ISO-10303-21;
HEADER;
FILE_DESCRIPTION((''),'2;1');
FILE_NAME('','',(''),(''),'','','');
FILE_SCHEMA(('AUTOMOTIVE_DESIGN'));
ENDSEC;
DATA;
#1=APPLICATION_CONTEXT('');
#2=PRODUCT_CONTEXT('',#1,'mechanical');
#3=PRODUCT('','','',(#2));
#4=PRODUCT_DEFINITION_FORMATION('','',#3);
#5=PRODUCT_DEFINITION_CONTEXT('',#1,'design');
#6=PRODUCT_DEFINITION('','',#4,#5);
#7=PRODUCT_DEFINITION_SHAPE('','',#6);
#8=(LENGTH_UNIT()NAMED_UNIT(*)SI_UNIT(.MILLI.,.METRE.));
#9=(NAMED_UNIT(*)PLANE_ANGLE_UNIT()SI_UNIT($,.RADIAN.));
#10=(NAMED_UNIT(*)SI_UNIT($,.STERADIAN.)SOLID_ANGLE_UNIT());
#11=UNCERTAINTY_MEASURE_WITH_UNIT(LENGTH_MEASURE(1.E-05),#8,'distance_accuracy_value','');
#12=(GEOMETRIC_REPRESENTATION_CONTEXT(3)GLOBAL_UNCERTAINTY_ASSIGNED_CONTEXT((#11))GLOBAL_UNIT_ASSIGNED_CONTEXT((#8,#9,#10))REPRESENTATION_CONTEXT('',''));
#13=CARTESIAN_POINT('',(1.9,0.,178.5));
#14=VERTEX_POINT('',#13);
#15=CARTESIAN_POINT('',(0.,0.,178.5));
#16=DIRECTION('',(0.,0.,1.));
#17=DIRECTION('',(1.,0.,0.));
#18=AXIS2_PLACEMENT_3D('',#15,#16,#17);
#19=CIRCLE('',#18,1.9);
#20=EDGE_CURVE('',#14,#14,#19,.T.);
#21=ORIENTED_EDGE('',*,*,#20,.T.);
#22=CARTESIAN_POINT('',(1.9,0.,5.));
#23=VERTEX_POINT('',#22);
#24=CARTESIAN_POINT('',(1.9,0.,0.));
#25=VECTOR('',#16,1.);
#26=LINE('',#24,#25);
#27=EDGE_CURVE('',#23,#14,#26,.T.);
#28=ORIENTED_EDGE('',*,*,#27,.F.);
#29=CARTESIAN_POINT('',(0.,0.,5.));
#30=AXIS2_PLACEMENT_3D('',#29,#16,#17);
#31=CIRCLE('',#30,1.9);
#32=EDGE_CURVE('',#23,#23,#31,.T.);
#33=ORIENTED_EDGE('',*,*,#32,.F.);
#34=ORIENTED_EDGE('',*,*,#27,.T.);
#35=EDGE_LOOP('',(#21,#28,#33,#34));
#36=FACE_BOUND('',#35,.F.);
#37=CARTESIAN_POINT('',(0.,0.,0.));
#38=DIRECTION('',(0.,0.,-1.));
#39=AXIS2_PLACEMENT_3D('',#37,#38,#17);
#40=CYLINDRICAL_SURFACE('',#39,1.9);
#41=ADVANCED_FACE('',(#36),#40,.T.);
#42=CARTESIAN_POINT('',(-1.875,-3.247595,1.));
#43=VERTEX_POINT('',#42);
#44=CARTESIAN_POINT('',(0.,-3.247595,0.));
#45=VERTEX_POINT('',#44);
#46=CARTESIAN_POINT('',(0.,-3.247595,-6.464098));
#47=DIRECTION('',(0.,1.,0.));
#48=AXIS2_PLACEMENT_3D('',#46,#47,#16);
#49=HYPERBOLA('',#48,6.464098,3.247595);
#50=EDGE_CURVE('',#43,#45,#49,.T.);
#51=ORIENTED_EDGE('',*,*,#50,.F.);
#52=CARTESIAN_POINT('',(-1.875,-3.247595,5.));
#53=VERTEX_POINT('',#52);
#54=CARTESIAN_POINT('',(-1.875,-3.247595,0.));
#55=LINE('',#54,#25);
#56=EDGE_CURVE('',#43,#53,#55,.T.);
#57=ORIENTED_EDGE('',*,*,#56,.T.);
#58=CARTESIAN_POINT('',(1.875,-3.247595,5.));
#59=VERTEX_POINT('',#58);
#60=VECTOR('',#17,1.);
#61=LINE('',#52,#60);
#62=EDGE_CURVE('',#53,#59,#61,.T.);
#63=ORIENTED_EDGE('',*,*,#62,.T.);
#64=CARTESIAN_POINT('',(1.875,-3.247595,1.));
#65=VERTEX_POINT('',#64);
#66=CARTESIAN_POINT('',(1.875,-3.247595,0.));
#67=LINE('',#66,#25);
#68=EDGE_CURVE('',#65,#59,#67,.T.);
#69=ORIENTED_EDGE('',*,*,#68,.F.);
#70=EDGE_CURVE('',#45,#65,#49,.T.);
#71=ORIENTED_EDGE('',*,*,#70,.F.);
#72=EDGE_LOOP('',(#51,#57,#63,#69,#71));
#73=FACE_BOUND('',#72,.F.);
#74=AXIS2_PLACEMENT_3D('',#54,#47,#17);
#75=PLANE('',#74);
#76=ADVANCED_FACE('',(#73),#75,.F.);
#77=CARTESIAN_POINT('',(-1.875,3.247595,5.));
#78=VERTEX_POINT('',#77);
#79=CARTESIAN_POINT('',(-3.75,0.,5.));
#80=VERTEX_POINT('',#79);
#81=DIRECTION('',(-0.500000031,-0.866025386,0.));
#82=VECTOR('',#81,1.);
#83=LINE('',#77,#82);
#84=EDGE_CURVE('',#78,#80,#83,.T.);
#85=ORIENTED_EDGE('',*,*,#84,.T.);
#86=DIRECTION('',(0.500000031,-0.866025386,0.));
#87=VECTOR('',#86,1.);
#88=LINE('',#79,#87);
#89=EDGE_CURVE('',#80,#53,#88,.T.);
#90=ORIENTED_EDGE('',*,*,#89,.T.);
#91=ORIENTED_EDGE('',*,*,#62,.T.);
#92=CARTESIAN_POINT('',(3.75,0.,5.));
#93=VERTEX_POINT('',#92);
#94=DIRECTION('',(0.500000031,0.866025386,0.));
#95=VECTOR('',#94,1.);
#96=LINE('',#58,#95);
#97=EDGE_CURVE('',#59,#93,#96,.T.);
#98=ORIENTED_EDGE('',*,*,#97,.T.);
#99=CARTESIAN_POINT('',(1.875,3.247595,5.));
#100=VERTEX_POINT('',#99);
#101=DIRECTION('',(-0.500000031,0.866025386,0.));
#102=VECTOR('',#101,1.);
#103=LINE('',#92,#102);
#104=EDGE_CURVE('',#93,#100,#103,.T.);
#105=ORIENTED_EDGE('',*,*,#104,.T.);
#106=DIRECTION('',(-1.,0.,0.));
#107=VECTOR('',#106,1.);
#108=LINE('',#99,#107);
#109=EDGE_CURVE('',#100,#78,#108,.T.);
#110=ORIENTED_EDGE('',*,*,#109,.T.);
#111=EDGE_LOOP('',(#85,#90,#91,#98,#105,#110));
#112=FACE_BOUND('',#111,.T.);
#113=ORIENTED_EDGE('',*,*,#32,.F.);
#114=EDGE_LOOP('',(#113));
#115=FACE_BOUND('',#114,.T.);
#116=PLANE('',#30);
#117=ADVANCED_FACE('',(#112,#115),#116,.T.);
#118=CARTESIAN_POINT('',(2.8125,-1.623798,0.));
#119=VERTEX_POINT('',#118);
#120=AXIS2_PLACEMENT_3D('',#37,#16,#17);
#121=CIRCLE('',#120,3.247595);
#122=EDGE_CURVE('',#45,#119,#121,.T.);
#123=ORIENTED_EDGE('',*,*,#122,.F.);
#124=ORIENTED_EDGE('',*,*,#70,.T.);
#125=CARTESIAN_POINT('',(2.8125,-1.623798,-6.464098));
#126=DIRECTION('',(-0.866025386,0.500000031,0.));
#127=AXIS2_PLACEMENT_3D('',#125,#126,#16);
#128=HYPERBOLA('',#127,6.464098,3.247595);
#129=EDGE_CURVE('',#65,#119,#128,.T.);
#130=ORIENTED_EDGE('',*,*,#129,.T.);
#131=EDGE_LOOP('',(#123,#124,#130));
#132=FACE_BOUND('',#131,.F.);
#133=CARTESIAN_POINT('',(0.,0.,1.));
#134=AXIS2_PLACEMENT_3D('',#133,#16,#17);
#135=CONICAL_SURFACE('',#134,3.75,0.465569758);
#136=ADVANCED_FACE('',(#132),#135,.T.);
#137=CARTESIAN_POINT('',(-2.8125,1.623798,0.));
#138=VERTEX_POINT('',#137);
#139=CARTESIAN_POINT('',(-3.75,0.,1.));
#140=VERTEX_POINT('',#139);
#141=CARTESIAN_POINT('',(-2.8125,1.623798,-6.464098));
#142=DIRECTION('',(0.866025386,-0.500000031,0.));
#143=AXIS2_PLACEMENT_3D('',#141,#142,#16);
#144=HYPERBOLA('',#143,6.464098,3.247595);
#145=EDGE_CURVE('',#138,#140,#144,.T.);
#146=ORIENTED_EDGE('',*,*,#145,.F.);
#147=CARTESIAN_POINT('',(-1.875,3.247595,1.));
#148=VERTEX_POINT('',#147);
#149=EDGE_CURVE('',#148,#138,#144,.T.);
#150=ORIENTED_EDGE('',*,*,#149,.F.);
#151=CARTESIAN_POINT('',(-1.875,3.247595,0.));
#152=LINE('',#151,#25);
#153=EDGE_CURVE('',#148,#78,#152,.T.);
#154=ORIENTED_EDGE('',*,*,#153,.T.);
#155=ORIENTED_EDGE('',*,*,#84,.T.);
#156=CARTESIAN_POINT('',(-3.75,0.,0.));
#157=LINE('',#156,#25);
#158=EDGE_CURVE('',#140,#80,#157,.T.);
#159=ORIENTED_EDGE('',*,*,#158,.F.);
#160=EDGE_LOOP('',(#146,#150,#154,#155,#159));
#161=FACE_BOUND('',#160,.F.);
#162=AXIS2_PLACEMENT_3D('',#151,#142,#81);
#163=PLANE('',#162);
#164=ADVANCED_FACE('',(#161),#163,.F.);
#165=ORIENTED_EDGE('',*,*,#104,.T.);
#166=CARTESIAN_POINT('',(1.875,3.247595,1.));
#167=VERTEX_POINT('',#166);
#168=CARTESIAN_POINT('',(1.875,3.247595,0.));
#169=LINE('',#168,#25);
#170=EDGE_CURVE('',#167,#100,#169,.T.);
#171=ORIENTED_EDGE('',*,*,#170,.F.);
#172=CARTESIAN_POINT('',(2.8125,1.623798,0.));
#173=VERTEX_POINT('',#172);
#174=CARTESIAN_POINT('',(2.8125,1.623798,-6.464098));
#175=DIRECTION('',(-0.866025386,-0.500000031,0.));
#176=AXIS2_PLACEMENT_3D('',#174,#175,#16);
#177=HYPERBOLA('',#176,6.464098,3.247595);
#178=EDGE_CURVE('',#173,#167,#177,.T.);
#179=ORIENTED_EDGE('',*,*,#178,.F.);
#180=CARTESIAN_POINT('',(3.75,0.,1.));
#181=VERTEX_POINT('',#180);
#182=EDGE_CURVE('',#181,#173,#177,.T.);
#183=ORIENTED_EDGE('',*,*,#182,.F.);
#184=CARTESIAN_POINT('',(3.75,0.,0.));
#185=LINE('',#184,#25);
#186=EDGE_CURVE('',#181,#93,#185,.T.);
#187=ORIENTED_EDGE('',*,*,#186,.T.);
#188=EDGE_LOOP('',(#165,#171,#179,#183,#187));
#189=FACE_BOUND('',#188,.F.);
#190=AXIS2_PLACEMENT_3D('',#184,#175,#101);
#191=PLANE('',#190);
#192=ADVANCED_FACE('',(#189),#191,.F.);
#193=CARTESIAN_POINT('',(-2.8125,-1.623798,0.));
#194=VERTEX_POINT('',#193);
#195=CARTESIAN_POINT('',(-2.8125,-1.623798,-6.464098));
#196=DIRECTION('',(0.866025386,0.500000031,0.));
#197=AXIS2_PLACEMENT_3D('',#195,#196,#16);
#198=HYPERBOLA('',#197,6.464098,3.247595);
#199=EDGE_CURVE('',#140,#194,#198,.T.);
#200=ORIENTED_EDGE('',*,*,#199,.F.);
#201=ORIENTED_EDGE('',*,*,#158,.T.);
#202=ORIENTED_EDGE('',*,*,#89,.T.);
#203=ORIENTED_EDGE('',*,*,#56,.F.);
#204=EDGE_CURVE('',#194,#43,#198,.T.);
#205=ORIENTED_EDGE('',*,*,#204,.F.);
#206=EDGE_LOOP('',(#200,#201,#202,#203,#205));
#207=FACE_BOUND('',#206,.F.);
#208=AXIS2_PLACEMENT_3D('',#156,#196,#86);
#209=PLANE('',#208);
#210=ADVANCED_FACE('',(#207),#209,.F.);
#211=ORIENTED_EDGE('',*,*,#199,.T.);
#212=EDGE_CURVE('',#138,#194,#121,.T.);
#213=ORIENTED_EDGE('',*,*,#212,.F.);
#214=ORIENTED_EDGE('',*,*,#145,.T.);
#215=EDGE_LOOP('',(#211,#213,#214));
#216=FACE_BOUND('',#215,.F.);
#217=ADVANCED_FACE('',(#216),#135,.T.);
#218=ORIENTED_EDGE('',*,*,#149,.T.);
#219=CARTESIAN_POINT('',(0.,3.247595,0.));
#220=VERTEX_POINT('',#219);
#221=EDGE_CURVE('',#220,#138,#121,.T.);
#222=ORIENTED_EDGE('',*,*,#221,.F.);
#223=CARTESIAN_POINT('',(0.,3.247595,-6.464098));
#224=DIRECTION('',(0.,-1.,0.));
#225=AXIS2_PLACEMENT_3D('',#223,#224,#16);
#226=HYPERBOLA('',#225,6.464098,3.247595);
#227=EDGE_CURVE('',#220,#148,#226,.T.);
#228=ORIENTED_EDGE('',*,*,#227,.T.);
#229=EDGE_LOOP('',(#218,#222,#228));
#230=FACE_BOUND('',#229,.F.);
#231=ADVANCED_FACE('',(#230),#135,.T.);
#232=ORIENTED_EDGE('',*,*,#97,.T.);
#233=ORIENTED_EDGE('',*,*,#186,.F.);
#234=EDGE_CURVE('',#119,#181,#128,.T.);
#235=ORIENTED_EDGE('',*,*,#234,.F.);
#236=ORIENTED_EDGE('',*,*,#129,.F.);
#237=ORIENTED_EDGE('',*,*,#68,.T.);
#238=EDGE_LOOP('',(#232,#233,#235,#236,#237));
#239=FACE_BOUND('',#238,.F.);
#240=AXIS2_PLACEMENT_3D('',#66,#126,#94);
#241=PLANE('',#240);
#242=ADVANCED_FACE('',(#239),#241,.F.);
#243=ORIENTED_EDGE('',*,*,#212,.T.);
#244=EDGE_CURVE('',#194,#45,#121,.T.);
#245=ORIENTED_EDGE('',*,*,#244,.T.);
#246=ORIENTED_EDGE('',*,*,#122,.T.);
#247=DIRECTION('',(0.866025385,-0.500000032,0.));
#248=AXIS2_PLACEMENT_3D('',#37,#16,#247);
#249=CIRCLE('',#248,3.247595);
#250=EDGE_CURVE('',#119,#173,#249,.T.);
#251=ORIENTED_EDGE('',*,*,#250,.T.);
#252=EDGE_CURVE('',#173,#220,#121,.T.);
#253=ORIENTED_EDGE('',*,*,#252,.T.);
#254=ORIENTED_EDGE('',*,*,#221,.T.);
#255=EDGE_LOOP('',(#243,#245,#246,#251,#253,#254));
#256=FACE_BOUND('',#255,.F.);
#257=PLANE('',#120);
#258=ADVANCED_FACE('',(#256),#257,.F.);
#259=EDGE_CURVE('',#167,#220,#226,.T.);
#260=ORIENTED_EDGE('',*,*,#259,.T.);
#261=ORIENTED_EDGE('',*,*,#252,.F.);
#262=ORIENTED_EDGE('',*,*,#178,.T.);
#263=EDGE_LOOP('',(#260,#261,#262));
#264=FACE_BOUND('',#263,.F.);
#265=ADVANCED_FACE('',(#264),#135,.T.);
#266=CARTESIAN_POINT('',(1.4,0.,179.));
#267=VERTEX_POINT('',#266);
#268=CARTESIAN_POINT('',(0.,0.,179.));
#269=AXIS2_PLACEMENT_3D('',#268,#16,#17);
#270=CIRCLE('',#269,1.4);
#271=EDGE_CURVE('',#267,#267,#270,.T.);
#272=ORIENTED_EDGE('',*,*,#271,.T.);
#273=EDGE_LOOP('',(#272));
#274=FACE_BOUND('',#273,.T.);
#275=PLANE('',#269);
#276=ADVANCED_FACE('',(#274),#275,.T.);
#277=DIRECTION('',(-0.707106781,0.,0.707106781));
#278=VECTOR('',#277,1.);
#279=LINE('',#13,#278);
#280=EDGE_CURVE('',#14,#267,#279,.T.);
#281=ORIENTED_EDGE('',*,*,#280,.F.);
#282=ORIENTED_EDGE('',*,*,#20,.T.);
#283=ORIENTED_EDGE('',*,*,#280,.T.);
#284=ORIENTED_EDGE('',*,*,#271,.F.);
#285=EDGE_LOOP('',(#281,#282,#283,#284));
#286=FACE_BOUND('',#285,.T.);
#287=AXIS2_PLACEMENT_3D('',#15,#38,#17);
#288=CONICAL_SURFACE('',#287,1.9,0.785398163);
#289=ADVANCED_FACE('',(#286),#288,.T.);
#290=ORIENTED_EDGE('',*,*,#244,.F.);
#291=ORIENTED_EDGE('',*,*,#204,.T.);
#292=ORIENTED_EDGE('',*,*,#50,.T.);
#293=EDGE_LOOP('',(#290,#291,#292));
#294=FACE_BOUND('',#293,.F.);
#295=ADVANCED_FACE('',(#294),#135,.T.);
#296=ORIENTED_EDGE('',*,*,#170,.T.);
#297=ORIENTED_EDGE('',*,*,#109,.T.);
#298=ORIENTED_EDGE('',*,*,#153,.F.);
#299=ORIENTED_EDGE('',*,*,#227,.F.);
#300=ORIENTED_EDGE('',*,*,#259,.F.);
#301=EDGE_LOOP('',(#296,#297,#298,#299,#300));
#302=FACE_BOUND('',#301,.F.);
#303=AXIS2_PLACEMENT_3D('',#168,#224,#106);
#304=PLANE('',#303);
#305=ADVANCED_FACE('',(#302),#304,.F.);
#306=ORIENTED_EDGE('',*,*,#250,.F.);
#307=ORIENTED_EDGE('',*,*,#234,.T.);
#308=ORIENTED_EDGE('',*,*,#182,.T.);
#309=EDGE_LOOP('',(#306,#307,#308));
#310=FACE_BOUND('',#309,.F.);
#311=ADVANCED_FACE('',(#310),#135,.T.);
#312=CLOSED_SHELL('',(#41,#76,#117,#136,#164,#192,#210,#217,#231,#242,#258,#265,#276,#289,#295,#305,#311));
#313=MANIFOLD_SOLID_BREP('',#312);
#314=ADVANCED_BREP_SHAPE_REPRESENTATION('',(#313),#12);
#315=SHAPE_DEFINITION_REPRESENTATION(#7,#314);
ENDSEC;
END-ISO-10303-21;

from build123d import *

# Parameters (mm, degrees)
F0_R     = 2.5
F0_R_2   = 1.9
F1_DEPTH = 5
F2_DEPTH = 179
F7_SIZE  = 0.5


with BuildPart() as f1:
    # F0 (on Top) → F1 (new body)
    with BuildSketch(Plane.XY):
        Polygon((3.75, 0), (1.875, 3.247595), (-1.875, 3.247595), (-3.75, 0), (-1.875, -3.247595), (1.875, -3.247595), align=None)
        Circle(F0_R, mode=Mode.SUBTRACT)
        Circle(F0_R)
        Circle(F0_R_2, mode=Mode.SUBTRACT)
    extrude(amount=F1_DEPTH)

    # F0 (on Top) → F2 (join)
    with BuildSketch(Plane.XY):
        Circle(F0_R_2)
    extrude(amount=F2_DEPTH)

    # F5 (on Front) → F6 (revolve, cut)
    with BuildSketch(Plane.XZ):
        Polygon((3.75, 1), (3.247595, 0), (3.75, 0), align=None)
    revolve(axis=Axis((0, 0, 1.934983), (0, 0, 1)), mode=Mode.SUBTRACT)

    # F7
    f7_edges = [f1.edges().sort_by_distance(p)[0] for p in [
        (-1.9, 0, 179),
    ]]
    chamfer(f7_edges, length=F7_SIZE)


solid = f1.part
